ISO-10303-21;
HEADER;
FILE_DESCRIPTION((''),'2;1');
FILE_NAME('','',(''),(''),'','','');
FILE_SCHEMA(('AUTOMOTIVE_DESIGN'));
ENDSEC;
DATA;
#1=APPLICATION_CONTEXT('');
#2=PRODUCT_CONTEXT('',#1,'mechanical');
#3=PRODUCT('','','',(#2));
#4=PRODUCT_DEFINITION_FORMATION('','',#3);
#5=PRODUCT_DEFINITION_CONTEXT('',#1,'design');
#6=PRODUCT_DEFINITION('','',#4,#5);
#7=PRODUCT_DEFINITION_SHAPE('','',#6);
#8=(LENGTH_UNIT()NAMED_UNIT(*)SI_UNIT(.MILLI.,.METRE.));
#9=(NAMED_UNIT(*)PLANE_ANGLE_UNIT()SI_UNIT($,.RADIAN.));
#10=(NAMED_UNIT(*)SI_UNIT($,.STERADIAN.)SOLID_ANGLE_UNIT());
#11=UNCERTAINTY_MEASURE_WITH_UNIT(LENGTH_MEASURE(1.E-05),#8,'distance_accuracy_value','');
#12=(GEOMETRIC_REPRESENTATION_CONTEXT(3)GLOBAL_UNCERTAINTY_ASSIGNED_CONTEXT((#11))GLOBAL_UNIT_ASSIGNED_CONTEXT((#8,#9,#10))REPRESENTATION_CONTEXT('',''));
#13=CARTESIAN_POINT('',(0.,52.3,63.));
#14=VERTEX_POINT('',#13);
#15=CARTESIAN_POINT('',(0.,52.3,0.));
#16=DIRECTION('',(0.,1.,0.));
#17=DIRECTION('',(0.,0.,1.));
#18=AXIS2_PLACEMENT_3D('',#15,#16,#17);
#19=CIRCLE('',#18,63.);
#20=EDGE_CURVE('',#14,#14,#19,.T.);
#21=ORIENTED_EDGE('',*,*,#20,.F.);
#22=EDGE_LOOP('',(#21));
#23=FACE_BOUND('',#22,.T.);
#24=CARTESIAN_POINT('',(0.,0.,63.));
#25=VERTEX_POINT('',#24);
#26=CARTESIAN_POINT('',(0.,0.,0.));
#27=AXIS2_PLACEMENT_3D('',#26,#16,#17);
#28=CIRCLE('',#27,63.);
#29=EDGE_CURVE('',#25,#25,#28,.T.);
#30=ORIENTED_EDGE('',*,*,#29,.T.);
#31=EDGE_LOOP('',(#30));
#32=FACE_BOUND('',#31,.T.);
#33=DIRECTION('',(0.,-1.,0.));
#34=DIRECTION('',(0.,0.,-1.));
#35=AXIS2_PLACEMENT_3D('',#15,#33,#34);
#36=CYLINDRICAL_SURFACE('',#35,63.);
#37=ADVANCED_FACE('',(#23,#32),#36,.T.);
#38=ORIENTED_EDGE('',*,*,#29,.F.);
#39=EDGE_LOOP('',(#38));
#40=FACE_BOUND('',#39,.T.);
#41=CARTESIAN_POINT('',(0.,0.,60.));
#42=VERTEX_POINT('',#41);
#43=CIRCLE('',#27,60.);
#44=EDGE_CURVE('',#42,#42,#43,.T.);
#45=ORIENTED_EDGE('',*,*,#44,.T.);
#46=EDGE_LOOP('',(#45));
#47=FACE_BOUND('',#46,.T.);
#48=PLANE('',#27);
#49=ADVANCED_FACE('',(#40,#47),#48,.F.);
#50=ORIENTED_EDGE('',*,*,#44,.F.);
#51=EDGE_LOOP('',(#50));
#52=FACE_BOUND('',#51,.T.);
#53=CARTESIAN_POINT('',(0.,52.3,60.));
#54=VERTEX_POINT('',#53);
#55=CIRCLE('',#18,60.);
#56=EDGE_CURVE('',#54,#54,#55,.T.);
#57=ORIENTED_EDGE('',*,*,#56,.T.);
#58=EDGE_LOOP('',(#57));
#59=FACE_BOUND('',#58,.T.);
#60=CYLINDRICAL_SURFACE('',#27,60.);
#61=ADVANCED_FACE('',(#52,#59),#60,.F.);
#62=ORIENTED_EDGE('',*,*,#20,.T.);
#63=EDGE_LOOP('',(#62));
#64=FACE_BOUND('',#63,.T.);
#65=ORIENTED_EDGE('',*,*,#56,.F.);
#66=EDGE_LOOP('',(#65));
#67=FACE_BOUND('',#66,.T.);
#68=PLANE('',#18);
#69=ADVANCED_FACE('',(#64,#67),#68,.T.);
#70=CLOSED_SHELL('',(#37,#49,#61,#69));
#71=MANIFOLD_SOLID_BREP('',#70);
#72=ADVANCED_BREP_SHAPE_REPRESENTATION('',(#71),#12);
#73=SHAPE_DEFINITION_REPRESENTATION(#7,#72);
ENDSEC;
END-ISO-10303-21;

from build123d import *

# Parameters (mm, degrees)
SKETCH_1_R          = 63
EXTRUDE_1_DEPTH     = 52.3
SKETCH_2_R          = 60
CUT_EXTRUDE_1_DEPTH = 52.3


with BuildPart() as part:
    # Эскиз1 → Бобышка-Вытянуть1 (new body)
    with BuildSketch(Plane(origin=(0, 0, 0), x_dir=(1, 0, 0), z_dir=(0, 1, 0))):
        Circle(SKETCH_1_R)
    extrude(amount=EXTRUDE_1_DEPTH)

    # Эскиз2 → Вырез-Вытянуть1 (cut)
    with BuildSketch(Plane(origin=(0, 52.3, 0), x_dir=(1, 0, 0), z_dir=(0, 1, 0))):
        Circle(SKETCH_2_R)
    extrude(amount=-CUT_EXTRUDE_1_DEPTH, mode=Mode.SUBTRACT)


solid = part.part
